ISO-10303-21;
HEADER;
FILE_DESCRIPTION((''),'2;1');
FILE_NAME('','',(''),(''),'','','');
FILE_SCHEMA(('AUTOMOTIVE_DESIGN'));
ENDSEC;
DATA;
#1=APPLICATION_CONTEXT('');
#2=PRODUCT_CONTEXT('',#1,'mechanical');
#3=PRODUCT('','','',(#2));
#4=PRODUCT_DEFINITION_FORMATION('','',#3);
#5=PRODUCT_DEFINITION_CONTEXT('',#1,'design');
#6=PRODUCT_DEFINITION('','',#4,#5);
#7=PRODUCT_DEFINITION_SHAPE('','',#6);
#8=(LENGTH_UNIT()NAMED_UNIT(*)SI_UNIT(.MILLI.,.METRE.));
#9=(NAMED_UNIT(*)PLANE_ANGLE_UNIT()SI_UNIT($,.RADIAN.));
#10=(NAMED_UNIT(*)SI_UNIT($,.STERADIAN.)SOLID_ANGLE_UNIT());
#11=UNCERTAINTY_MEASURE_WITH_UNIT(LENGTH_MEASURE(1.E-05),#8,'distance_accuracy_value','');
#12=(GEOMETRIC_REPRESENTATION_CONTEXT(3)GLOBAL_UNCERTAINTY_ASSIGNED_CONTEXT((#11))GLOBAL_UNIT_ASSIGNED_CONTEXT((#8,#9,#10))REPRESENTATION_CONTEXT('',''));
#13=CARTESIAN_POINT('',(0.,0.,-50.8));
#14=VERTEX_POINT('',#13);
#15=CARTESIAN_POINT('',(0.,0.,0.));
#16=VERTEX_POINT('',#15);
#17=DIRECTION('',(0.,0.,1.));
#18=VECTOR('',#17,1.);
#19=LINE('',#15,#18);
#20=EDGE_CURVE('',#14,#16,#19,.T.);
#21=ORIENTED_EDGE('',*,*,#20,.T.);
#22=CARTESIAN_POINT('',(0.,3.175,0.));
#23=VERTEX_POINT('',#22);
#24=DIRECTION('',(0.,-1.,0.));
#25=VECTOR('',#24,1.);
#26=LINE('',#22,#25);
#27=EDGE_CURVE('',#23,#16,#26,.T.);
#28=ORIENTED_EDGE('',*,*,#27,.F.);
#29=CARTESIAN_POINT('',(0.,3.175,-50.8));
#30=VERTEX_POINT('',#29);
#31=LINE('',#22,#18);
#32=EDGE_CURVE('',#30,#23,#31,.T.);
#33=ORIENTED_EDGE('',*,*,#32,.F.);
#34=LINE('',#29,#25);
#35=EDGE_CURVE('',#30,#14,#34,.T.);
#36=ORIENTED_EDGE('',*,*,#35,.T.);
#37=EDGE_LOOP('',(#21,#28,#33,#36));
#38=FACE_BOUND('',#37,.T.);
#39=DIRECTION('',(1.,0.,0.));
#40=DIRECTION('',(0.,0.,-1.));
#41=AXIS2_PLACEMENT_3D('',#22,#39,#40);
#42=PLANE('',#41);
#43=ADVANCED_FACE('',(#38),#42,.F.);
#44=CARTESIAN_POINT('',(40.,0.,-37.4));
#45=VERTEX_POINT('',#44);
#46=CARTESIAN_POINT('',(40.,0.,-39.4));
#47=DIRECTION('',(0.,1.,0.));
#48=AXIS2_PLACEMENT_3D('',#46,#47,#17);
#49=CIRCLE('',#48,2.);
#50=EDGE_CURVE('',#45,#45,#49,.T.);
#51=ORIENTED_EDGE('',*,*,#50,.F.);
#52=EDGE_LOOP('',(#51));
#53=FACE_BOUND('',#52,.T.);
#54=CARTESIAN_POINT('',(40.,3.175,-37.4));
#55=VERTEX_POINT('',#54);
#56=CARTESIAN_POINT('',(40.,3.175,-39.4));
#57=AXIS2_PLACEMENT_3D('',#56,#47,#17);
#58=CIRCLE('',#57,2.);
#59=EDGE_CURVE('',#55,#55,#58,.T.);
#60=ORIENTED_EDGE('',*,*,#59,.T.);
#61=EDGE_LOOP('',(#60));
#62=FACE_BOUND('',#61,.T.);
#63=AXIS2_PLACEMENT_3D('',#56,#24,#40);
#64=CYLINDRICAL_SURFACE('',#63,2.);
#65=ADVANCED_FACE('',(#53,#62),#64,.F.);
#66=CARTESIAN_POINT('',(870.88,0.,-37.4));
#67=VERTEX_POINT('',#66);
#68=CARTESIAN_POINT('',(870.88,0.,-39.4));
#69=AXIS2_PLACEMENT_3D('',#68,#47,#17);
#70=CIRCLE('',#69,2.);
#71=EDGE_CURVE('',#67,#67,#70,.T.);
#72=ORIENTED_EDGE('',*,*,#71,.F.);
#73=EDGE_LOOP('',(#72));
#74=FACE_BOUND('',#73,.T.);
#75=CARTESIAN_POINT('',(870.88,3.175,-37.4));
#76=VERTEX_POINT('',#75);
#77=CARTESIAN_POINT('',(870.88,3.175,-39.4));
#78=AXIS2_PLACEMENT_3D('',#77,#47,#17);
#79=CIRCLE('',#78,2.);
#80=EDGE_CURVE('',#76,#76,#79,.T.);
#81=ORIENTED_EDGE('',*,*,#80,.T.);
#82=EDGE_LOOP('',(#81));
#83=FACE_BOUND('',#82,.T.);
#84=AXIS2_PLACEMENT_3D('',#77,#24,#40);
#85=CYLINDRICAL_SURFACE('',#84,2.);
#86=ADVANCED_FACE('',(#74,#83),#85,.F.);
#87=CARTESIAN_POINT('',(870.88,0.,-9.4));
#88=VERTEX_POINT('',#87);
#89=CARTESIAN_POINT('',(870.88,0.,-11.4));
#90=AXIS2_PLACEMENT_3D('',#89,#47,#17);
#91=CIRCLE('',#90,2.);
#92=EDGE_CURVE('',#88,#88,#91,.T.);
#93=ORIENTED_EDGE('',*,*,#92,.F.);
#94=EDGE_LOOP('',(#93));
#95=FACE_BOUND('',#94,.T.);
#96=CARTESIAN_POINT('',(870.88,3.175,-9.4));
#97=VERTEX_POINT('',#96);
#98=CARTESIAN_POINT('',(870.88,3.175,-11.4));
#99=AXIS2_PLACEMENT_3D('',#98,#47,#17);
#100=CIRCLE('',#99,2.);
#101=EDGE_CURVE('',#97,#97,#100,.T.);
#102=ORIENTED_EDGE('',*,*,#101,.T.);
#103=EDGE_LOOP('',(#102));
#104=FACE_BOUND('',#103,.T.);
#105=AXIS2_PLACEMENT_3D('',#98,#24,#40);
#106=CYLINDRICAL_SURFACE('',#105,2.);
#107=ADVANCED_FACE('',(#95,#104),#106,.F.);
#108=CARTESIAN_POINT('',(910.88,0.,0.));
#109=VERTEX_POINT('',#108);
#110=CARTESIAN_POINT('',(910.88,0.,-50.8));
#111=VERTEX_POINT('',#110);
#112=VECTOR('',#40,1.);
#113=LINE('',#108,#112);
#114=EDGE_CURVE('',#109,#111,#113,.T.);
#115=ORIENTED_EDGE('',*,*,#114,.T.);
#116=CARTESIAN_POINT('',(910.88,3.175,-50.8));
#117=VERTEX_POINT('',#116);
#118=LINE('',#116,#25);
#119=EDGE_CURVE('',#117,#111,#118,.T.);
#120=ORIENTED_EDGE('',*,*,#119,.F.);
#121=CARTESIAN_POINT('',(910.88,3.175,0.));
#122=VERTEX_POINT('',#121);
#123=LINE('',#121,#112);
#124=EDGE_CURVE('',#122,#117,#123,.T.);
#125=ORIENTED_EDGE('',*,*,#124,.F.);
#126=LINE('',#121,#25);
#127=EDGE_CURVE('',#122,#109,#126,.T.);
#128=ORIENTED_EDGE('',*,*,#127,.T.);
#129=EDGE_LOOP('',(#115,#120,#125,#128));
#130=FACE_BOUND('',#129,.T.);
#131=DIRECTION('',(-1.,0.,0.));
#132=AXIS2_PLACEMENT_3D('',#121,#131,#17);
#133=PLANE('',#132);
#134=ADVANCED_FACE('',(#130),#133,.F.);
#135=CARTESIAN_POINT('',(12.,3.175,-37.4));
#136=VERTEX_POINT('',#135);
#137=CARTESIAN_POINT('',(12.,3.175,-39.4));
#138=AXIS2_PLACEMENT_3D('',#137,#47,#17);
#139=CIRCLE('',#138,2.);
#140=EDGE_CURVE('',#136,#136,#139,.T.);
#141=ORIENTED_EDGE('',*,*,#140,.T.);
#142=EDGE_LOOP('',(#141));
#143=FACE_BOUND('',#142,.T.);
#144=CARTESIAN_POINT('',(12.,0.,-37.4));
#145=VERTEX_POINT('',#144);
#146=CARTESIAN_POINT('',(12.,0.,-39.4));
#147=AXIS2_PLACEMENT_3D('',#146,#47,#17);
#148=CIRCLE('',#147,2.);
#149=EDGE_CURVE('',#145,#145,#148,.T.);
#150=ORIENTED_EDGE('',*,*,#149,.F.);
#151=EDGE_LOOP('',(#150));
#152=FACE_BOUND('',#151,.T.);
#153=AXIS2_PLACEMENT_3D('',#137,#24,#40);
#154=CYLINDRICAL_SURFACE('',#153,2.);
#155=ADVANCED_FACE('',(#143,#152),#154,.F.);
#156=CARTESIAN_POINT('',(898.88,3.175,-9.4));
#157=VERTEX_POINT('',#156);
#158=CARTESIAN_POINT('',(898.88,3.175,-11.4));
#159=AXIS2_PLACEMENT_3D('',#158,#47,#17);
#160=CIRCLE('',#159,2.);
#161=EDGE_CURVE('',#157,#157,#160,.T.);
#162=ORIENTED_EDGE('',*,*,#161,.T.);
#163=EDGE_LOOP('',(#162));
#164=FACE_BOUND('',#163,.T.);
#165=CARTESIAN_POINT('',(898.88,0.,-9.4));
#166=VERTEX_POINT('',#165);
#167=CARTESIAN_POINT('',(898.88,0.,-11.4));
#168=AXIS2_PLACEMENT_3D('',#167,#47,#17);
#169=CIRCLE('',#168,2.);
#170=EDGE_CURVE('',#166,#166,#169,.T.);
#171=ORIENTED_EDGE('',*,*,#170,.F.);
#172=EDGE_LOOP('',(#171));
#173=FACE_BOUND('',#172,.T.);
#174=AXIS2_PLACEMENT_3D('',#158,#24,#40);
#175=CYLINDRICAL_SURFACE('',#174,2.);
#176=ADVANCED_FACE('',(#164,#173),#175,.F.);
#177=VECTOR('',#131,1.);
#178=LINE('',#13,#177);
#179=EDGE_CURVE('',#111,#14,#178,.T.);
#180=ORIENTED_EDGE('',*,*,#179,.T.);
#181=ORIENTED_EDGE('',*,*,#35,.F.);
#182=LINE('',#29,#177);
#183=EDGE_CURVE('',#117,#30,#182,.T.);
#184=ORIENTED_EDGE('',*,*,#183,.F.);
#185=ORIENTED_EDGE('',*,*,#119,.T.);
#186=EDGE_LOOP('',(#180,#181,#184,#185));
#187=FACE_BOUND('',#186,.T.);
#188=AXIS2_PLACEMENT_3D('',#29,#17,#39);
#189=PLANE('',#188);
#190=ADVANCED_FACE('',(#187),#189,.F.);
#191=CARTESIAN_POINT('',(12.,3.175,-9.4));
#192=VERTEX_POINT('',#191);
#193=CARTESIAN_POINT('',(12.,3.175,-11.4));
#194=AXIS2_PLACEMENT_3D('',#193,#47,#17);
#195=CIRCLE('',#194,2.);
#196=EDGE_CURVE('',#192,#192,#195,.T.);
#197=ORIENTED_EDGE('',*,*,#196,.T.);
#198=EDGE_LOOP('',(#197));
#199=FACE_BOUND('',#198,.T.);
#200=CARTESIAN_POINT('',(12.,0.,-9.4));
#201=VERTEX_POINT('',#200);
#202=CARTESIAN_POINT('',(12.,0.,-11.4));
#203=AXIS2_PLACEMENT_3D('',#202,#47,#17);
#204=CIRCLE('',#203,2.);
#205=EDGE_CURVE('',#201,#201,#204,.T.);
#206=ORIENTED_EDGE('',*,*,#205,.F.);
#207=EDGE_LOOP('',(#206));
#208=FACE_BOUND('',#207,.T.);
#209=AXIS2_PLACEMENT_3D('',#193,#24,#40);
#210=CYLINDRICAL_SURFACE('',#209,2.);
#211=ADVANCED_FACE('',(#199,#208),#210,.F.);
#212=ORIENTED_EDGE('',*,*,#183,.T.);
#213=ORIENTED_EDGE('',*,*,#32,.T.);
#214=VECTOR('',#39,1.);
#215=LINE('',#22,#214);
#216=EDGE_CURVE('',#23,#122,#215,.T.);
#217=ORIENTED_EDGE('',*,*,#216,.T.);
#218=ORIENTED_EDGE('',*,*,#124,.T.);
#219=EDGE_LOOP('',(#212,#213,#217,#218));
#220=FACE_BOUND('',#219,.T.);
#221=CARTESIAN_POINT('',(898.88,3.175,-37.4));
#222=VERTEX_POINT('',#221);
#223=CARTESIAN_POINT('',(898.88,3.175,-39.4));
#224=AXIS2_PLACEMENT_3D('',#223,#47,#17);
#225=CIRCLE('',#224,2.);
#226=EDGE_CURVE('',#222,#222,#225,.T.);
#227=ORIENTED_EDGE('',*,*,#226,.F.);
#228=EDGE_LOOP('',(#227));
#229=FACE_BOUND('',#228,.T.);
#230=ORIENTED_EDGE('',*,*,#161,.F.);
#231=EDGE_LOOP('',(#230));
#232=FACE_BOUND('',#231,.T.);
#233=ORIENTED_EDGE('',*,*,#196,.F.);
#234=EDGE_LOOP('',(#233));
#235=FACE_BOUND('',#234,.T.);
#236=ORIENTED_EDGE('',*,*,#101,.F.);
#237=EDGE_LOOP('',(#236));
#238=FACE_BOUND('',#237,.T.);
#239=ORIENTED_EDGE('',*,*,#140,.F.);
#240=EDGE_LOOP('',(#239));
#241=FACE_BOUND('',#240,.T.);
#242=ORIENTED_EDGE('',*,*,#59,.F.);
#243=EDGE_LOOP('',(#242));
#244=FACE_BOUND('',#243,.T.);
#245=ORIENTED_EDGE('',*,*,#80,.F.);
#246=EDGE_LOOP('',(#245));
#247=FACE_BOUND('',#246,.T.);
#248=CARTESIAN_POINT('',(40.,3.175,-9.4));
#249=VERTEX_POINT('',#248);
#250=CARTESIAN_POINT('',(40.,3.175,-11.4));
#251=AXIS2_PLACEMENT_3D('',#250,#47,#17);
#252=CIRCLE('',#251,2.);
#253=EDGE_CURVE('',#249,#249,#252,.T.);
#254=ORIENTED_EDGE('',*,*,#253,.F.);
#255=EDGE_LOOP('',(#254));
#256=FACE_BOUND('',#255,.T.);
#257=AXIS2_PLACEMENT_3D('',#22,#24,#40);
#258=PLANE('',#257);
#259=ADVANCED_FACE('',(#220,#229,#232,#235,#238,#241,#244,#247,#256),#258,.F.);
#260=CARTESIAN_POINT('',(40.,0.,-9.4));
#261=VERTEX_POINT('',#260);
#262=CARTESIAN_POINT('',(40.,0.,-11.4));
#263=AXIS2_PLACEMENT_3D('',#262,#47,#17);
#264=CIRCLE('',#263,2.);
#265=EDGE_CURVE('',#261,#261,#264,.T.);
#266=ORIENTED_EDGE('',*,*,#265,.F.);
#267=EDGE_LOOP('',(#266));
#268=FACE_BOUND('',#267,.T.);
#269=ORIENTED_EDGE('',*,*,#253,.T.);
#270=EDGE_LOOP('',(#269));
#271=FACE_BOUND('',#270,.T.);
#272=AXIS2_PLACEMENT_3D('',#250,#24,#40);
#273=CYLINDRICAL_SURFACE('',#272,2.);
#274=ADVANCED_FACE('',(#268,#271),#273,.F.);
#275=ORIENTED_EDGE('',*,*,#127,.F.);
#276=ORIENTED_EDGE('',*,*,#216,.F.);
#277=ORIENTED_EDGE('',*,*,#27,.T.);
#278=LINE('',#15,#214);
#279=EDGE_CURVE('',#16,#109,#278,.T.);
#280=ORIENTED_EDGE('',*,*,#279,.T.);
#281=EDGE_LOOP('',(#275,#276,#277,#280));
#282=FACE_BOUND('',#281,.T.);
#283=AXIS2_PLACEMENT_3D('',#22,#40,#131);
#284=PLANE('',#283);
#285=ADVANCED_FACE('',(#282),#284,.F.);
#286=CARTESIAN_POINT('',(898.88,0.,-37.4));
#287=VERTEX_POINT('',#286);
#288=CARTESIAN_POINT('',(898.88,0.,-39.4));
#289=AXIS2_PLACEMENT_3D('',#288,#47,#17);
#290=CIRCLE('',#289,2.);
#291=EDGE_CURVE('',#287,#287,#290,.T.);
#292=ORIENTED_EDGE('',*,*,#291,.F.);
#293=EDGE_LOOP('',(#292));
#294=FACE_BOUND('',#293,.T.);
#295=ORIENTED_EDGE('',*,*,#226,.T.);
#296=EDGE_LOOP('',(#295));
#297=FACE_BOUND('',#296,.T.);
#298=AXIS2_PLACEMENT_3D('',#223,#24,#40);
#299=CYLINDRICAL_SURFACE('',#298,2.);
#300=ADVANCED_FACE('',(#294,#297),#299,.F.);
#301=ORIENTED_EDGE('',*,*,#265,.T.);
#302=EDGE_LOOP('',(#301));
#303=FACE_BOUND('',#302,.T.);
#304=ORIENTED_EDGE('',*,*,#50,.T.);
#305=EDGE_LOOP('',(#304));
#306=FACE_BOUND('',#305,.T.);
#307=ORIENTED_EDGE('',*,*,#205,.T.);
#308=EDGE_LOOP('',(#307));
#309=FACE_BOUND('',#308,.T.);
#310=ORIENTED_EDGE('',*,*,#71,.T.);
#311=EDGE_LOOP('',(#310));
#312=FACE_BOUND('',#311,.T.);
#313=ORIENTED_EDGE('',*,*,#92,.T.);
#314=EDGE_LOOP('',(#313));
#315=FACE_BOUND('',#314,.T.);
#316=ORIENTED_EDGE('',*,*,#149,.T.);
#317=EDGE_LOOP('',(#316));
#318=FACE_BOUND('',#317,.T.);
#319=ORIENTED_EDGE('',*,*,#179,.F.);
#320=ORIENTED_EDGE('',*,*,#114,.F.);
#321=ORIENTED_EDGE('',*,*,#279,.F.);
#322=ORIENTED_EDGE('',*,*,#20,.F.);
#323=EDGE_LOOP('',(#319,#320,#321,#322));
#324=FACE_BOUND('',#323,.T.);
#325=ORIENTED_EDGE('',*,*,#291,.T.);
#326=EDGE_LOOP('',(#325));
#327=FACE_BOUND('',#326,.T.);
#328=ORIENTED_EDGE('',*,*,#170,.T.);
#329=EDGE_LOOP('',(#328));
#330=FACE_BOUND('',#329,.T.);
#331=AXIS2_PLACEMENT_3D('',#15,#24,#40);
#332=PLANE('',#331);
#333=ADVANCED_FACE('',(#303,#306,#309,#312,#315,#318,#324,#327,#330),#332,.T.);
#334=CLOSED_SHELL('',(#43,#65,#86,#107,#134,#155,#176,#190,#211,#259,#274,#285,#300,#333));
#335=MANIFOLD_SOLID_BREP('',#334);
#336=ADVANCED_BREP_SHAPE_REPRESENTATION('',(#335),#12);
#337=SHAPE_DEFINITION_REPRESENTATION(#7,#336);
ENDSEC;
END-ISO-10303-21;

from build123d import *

# Parameters (mm, degrees)
SKETCH1_W           = 910.88
SKETCH1_H           = 50.8
SKETCH1_R           = 2
BOSS_EXTRUDE1_DEPTH = 3.175


with BuildPart() as part:
    # Sketch1 → Boss-Extrude1 (new body)
    with BuildSketch(Plane(origin=(0, 0, 0), x_dir=(1, 0, 0), z_dir=(0, 1, 0))):
        with Locations((455.44, 25.4)):
            Rectangle(SKETCH1_W, SKETCH1_H)
        with Locations(Location((12, 39.4, 0), (0, 0, 270))):
            Circle(SKETCH1_R, mode=Mode.SUBTRACT)
        with Locations(Location((12, 11.4, 0), (0, 0, 270))):
            Circle(SKETCH1_R, mode=Mode.SUBTRACT)
        with Locations(Location((898.88, 39.4, 0), (0, 0, 270))):
            Circle(SKETCH1_R, mode=Mode.SUBTRACT)
        with Locations(Location((898.88, 11.4, 0), (0, 0, 270))):
            Circle(SKETCH1_R, mode=Mode.SUBTRACT)
        with Locations(Location((40, 39.4, 0), (0, 0, 270))):
            Circle(SKETCH1_R, mode=Mode.SUBTRACT)
        with Locations(Location((40, 11.4, 0), (0, 0, 270))):
            Circle(SKETCH1_R, mode=Mode.SUBTRACT)
        with Locations(Location((870.88, 39.4, 0), (0, 0, 270))):
            Circle(SKETCH1_R, mode=Mode.SUBTRACT)
        with Locations(Location((870.88, 11.4, 0), (0, 0, 270))):
            Circle(SKETCH1_R, mode=Mode.SUBTRACT)
    extrude(amount=BOSS_EXTRUDE1_DEPTH)


solid = part.part
